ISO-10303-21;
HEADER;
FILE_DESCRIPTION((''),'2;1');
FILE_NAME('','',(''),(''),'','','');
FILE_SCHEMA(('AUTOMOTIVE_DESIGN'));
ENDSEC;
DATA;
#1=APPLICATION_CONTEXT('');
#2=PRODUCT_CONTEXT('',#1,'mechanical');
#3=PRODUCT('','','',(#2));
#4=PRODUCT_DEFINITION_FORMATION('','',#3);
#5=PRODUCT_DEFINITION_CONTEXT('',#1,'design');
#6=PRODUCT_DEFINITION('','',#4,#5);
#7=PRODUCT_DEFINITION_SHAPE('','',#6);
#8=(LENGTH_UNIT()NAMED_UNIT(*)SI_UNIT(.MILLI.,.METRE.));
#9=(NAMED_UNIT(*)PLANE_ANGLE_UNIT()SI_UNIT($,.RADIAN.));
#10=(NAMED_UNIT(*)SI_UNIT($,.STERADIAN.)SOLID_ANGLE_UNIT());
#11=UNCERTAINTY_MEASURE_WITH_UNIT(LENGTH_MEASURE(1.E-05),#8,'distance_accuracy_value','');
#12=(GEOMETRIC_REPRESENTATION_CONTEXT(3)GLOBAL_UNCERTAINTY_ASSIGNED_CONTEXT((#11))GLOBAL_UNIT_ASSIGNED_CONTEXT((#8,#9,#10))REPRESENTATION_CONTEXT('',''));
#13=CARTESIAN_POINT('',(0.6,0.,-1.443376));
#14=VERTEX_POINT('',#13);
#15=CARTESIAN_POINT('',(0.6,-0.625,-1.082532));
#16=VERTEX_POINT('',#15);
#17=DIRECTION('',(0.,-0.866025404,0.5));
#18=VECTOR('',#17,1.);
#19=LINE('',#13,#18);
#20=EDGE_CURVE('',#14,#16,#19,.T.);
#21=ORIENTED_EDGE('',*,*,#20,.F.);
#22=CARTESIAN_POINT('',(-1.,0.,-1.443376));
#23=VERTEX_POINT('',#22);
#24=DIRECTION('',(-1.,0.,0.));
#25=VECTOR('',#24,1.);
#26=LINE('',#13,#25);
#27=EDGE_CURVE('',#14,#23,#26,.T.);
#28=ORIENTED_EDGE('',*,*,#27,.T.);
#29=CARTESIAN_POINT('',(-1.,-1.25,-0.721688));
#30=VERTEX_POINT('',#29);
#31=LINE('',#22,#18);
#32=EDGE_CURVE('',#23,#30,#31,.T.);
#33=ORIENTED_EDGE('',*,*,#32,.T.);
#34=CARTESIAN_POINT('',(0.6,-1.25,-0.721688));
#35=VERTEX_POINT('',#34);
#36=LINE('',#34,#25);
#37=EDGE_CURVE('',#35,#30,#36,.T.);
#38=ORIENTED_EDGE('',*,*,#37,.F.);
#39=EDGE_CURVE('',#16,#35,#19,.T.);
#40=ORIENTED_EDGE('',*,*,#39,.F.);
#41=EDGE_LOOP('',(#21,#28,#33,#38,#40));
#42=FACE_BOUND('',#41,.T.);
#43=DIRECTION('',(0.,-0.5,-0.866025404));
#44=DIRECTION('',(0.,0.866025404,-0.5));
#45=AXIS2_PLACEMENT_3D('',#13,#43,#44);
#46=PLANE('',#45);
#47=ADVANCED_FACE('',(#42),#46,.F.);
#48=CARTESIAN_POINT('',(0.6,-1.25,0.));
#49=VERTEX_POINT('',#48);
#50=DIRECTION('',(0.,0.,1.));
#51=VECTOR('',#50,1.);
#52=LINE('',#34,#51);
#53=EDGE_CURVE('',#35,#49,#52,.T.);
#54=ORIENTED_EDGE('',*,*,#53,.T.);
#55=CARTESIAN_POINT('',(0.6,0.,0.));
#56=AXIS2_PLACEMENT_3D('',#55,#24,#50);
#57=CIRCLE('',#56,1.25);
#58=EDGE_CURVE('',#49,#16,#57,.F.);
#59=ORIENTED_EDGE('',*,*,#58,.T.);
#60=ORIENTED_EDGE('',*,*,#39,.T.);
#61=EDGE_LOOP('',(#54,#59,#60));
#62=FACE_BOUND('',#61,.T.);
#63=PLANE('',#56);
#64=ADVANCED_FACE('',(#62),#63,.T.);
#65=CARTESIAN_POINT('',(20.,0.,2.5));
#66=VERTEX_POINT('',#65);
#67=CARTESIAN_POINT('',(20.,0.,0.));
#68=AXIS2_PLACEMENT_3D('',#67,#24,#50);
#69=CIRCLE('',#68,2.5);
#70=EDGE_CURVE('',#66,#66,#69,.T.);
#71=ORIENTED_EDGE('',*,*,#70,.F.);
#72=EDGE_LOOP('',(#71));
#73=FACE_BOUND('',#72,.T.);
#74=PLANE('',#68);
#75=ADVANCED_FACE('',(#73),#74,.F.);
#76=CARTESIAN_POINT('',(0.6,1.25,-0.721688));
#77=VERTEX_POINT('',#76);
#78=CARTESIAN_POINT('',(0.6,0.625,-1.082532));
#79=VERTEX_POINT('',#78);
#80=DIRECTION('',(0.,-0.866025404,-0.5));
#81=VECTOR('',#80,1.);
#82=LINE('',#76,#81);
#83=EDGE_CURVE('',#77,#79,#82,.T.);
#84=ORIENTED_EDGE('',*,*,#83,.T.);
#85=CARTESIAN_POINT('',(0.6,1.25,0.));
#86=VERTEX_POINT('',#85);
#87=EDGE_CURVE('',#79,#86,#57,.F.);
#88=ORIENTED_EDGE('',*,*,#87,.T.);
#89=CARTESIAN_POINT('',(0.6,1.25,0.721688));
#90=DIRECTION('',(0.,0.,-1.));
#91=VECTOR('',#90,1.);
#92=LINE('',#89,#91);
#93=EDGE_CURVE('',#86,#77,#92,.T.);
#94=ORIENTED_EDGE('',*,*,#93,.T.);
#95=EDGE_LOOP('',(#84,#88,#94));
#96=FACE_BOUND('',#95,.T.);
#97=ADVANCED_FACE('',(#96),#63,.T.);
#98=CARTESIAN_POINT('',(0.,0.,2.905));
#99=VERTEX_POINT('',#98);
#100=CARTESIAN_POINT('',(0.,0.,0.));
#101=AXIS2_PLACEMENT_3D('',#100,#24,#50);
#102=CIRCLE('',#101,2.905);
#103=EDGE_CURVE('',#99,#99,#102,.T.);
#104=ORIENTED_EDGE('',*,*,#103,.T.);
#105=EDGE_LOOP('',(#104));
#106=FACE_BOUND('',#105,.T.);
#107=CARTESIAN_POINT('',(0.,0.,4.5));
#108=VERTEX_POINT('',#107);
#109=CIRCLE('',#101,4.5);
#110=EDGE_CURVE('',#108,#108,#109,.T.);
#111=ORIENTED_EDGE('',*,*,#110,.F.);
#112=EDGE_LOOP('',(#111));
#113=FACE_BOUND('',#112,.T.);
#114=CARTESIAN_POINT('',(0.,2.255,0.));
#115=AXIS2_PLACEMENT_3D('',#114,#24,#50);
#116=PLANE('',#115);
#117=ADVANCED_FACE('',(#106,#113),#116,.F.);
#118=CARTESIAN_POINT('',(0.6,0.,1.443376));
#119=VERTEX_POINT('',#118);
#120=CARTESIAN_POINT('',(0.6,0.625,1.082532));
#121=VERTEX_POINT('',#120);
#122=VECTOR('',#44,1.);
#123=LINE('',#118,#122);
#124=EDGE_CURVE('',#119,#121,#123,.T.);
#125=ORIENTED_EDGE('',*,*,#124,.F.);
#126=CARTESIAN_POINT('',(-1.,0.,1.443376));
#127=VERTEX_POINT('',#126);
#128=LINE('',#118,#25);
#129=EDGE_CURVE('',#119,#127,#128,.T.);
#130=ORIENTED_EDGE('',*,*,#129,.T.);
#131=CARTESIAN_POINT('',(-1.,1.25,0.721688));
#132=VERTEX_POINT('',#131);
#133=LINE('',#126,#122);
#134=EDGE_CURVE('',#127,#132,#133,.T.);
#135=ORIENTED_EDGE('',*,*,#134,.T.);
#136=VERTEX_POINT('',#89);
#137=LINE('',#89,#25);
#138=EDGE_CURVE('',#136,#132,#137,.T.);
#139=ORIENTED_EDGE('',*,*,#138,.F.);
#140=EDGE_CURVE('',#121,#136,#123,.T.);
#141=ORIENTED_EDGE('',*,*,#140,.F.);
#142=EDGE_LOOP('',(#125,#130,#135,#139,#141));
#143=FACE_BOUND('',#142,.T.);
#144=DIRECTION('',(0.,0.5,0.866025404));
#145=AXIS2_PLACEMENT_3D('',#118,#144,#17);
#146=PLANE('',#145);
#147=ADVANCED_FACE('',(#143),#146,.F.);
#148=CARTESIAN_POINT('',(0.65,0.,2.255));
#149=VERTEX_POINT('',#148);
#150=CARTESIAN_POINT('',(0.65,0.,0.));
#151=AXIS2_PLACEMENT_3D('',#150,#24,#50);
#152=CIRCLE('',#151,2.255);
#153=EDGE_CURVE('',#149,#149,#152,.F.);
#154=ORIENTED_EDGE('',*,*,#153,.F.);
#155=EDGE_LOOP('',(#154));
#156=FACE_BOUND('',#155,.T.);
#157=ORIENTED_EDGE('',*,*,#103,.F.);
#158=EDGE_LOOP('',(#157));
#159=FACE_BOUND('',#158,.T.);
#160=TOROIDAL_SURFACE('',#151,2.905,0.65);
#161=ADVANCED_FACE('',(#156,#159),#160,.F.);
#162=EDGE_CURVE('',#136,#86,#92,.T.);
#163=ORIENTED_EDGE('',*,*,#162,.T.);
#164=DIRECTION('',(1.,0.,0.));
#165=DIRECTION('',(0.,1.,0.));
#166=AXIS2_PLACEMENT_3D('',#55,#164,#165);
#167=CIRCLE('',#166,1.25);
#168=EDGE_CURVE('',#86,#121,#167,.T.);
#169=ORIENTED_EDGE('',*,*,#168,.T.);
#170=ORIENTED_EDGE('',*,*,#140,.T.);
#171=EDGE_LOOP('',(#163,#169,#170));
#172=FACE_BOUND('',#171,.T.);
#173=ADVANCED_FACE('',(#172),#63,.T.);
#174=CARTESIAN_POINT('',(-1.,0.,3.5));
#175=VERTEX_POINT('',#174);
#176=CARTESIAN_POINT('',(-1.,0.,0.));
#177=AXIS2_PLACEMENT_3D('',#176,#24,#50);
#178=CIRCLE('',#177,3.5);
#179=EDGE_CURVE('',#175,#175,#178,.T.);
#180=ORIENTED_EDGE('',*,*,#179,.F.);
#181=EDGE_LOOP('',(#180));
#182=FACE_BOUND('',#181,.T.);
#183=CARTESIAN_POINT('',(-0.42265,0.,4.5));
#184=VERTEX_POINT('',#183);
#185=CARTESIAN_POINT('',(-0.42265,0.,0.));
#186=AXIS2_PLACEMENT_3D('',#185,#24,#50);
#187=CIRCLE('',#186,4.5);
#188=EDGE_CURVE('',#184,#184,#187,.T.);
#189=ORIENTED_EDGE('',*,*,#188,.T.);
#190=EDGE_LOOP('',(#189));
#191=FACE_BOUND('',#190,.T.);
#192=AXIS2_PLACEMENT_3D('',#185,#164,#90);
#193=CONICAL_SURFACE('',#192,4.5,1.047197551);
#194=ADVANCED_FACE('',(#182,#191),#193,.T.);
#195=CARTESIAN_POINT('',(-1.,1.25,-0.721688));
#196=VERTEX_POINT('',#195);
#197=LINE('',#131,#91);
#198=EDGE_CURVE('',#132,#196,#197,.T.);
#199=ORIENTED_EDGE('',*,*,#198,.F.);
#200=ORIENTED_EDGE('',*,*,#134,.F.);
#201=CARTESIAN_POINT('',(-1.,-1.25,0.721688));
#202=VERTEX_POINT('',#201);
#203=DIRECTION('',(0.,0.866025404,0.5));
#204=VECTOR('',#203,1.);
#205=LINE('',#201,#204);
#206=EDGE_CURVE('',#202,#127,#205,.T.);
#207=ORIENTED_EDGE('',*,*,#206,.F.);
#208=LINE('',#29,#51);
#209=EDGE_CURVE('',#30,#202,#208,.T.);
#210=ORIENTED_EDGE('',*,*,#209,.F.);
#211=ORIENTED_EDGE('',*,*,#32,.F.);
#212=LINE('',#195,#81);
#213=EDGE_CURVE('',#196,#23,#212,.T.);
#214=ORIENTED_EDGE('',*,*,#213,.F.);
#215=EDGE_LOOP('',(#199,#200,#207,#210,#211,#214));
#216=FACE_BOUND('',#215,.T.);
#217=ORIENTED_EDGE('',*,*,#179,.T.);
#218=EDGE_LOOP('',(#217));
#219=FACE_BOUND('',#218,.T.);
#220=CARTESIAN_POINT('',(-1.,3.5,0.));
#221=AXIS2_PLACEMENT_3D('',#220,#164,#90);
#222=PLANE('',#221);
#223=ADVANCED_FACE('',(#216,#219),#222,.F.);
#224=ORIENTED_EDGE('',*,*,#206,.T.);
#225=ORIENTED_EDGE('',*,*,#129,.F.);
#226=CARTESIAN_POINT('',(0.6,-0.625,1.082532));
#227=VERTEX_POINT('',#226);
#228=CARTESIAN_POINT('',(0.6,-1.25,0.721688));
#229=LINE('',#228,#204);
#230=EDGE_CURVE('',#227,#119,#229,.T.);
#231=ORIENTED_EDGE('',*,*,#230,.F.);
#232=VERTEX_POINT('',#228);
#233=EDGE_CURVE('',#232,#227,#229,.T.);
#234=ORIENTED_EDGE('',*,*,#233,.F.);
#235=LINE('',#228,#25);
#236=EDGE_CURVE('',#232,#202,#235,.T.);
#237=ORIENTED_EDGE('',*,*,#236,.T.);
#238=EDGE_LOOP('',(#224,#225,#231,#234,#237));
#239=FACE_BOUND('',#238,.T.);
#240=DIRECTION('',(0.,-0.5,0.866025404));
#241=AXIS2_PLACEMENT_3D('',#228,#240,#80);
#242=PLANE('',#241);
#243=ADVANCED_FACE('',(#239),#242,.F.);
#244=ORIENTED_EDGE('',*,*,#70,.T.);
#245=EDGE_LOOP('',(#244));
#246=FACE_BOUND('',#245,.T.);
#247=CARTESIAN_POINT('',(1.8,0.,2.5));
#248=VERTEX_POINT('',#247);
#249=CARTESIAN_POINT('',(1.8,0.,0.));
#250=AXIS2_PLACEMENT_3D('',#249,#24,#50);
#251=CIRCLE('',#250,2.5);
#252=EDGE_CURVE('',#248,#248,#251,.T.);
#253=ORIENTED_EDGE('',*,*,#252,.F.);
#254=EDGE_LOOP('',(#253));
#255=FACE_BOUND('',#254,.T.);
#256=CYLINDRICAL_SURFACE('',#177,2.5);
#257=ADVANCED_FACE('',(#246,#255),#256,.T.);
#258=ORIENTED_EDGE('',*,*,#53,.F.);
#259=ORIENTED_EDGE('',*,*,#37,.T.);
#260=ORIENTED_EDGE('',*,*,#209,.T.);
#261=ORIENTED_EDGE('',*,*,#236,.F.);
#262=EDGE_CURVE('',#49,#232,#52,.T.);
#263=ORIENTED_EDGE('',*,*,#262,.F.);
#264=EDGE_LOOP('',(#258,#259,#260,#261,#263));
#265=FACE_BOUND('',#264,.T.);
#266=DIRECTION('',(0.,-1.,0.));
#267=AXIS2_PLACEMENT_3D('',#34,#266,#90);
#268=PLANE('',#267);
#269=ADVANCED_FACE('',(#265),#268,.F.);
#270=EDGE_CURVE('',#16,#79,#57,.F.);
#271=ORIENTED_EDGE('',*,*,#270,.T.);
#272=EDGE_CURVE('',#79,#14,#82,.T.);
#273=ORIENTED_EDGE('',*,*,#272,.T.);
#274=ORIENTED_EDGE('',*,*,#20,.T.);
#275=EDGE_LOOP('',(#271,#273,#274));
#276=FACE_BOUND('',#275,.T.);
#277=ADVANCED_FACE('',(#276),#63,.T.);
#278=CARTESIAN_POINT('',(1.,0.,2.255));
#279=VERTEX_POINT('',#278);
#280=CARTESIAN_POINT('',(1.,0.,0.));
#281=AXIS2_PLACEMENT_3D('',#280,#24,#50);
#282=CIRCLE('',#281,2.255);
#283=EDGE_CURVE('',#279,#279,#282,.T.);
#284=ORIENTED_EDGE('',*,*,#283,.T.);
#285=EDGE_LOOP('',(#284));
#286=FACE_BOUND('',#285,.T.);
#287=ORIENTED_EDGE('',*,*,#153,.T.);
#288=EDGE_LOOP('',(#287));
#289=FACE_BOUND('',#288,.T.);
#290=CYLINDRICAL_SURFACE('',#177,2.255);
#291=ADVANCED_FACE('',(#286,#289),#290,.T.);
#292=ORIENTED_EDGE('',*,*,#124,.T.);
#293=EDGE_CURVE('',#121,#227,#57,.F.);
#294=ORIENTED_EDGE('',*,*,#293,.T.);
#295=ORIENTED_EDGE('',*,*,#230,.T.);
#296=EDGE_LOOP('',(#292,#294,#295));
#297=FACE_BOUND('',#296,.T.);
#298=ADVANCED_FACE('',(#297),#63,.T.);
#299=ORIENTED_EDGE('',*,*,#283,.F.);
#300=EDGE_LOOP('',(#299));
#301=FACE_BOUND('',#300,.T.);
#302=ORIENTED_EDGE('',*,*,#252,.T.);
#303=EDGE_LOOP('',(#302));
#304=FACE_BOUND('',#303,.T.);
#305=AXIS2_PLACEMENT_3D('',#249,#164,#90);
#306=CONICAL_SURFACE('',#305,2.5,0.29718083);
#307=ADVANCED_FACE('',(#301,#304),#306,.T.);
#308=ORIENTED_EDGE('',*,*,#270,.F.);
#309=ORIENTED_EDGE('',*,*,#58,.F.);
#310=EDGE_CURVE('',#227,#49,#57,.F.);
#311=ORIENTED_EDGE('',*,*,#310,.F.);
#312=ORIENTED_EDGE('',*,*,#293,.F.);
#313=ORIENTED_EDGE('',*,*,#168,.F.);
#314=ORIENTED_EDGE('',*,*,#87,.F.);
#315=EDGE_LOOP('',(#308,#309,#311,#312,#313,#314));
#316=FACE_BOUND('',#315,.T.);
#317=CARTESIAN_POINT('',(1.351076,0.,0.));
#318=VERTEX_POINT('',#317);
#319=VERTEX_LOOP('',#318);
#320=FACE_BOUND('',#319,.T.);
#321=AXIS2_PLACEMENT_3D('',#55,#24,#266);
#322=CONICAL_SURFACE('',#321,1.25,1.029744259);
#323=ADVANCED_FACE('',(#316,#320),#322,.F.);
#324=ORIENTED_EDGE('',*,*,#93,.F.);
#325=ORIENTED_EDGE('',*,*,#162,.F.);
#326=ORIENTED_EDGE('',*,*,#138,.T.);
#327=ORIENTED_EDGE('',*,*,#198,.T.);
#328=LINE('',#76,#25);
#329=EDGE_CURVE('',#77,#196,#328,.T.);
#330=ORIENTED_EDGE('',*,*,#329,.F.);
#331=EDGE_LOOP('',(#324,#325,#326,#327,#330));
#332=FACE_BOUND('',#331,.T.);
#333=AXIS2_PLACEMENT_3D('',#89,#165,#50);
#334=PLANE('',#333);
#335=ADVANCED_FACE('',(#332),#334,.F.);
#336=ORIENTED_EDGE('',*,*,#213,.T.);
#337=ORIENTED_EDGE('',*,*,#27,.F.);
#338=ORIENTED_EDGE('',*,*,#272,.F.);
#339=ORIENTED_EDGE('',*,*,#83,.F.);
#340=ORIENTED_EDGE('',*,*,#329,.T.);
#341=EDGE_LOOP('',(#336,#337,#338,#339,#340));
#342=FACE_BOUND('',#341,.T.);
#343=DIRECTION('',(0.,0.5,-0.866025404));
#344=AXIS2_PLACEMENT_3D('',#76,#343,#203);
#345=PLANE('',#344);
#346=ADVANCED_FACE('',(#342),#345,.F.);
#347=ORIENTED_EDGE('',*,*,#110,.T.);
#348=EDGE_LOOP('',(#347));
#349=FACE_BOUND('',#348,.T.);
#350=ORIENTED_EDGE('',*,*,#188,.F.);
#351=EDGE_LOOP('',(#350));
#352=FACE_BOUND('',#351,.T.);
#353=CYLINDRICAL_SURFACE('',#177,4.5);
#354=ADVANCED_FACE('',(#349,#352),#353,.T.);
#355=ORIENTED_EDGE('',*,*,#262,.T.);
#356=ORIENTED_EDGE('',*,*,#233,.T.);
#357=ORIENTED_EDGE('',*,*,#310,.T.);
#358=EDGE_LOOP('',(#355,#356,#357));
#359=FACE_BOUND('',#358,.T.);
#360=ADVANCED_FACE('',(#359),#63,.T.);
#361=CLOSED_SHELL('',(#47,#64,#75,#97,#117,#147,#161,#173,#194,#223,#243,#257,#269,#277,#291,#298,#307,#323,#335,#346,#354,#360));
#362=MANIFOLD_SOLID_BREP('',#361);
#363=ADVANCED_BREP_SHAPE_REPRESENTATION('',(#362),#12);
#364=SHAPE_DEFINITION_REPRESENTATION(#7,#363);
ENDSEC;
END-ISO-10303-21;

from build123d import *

# Parameters (mm, degrees)
CUT_EXTRUDE1_DEPTH = 1.6
FILLET1_R          = 0.65


with BuildPart() as part:
    # Sketch1 → Revolve1 (revolve)
    with BuildSketch(Plane.XY):
        Polygon((-1, 0), (20, 0), (20, 2.5), (1.8, 2.5), (1, 2.255), (0, 2.255), (0, 4.5), (-0.422649731, 4.5), (-1, 3.5), align=None)
    revolve(axis=Axis((-1, 0, 0), (1, 0, 0)))

    # Sketch2 → Cut-Extrude1 (cut)
    with BuildSketch(Plane.ZY.offset(1)):
        Polygon((-1.443375673, 0), (-0.721687836, -1.25), (0.721687836, -1.25), (1.443375673, 0), (0.721687836, 1.25), (-0.721687836, 1.25), align=None)
    extrude(amount=-CUT_EXTRUDE1_DEPTH, mode=Mode.SUBTRACT)

    # Sketch3 → Cut-Revolve1 (revolve, cut)
    with BuildSketch(Plane.XY):
        Polygon((0.6, -1.25), (0.6, 0), (1.351075774, 0), align=None)
    revolve(axis=Axis((0, 0, 0), (-1, 0, 0)), mode=Mode.SUBTRACT)

    # Fillet1
    fillet1_edges = [part.edges().sort_by_distance(p)[0] for p in [
        (0, -2.255, 0),
    ]]
    fillet(fillet1_edges, radius=FILLET1_R)


solid = part.part
